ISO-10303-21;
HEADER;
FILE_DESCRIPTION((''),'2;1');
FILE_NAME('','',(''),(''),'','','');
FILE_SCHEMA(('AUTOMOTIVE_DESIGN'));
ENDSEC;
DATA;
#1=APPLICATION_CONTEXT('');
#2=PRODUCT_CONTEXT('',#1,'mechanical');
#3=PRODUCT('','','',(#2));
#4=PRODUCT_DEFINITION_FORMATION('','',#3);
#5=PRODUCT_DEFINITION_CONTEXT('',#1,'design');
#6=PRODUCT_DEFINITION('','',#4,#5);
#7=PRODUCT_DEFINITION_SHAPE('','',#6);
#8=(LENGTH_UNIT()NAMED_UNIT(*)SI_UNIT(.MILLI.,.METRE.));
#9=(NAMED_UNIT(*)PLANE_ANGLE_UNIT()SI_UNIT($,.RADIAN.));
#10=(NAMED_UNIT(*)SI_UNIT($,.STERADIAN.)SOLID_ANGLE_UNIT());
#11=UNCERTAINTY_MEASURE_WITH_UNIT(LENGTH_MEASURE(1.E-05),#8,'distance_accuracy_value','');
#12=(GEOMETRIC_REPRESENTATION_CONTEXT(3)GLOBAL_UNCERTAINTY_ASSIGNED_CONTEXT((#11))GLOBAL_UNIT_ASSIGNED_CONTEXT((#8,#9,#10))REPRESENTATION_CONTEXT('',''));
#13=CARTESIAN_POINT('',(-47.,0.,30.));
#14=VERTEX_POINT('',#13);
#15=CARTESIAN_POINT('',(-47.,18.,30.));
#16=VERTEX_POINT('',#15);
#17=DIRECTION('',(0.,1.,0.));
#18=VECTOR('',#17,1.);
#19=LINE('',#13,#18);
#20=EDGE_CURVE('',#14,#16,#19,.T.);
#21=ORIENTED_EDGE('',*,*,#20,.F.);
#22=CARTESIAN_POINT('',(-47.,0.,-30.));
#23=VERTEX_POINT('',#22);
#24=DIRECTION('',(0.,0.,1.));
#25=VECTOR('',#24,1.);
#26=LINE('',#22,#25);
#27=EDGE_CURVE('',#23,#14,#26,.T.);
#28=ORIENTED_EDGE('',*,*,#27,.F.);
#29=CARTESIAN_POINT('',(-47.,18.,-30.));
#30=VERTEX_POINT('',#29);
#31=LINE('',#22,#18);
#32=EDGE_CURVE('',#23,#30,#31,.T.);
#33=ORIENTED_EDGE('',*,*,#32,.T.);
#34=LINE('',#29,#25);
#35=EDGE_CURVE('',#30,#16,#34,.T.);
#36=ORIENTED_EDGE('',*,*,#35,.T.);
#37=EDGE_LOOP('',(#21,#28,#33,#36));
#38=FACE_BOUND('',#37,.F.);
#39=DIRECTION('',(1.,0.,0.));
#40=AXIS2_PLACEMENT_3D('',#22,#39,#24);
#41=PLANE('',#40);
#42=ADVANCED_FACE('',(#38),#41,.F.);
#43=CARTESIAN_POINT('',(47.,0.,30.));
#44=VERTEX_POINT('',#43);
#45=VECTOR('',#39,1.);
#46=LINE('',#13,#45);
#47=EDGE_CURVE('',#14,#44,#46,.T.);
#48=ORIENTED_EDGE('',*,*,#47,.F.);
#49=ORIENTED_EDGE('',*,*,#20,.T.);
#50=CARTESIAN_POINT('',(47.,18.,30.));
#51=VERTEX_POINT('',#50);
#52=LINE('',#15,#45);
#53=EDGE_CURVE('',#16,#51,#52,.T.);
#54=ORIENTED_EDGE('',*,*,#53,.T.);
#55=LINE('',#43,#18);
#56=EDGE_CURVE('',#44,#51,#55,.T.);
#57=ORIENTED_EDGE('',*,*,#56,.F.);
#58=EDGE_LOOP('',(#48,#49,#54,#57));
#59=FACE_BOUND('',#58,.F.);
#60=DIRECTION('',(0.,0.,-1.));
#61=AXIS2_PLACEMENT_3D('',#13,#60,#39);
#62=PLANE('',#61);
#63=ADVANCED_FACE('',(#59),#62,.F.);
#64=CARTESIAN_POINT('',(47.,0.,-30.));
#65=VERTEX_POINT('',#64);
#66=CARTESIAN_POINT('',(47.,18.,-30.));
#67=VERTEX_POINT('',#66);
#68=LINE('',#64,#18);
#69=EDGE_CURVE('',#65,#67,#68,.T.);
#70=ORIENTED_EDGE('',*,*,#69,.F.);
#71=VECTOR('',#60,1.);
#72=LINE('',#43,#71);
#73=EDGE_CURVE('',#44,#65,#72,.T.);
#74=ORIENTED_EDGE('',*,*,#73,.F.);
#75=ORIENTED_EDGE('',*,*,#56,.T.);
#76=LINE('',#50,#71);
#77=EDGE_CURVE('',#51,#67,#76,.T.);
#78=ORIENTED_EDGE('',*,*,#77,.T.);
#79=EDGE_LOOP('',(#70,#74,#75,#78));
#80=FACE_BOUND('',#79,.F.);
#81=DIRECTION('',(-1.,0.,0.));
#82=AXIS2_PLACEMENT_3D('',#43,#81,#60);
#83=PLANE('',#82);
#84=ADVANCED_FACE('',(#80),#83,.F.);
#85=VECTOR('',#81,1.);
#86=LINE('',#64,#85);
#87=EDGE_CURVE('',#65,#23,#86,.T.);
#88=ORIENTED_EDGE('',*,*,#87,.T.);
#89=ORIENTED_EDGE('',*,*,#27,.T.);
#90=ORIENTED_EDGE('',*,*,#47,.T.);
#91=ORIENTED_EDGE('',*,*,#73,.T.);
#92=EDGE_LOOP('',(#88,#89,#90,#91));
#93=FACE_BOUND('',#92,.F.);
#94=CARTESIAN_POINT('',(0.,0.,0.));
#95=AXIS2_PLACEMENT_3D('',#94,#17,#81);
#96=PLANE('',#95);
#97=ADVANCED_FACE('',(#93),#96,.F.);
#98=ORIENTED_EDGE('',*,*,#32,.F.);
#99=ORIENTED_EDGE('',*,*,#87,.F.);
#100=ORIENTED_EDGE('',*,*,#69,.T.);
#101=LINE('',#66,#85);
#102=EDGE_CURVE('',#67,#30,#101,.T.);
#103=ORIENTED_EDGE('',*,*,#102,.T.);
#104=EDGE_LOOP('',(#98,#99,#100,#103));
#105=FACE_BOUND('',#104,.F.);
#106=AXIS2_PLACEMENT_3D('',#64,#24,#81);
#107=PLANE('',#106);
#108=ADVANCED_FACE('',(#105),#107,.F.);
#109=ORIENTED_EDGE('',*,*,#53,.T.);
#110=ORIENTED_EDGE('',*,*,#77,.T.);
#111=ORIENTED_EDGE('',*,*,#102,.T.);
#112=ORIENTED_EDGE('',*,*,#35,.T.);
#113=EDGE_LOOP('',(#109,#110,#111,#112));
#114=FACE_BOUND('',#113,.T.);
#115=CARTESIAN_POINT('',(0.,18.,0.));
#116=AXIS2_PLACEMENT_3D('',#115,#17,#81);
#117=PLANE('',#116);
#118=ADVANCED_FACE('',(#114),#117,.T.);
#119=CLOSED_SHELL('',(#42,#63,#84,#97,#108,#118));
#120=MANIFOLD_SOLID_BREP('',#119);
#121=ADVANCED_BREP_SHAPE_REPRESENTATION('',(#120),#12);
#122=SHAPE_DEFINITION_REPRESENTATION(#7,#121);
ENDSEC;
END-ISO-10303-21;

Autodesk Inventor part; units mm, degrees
ref_plane "YZ Plane" through (0, 0, 0) normal (1, 0, 0) x (0, 1, 0)
ref_plane "XZ Plane" through (0, 0, 0) normal (0, 1, 0) x (-1, 0, 0)
ref_plane "XY Plane" through (0, 0, 0) normal (0, 0, 1) x (1, 0, 0)
sketch "Sketch1" plane through (0, 0, 0) normal (0, 1, 0) x (-1, 0, 0)
  line L0 (47, 30) -> (-47, 30)
  line L1 (-47, 30) -> (-47, -30)
  line L2 (-47, -30) -> (47, -30)
  line L3 (47, -30) -> (47, 30)
  line L4 (47, 30) -> (-47, -30) construction
  line L5 (-47, 30) -> (47, -30) construction
  point P0 (0, 0)
  dimension "d0" = 94
  dimension "d1" = 60
extrude "Extrusion1" add sketch "Sketch1" along normal blind 18
properties part number "assist_wheel._bracketipt"
